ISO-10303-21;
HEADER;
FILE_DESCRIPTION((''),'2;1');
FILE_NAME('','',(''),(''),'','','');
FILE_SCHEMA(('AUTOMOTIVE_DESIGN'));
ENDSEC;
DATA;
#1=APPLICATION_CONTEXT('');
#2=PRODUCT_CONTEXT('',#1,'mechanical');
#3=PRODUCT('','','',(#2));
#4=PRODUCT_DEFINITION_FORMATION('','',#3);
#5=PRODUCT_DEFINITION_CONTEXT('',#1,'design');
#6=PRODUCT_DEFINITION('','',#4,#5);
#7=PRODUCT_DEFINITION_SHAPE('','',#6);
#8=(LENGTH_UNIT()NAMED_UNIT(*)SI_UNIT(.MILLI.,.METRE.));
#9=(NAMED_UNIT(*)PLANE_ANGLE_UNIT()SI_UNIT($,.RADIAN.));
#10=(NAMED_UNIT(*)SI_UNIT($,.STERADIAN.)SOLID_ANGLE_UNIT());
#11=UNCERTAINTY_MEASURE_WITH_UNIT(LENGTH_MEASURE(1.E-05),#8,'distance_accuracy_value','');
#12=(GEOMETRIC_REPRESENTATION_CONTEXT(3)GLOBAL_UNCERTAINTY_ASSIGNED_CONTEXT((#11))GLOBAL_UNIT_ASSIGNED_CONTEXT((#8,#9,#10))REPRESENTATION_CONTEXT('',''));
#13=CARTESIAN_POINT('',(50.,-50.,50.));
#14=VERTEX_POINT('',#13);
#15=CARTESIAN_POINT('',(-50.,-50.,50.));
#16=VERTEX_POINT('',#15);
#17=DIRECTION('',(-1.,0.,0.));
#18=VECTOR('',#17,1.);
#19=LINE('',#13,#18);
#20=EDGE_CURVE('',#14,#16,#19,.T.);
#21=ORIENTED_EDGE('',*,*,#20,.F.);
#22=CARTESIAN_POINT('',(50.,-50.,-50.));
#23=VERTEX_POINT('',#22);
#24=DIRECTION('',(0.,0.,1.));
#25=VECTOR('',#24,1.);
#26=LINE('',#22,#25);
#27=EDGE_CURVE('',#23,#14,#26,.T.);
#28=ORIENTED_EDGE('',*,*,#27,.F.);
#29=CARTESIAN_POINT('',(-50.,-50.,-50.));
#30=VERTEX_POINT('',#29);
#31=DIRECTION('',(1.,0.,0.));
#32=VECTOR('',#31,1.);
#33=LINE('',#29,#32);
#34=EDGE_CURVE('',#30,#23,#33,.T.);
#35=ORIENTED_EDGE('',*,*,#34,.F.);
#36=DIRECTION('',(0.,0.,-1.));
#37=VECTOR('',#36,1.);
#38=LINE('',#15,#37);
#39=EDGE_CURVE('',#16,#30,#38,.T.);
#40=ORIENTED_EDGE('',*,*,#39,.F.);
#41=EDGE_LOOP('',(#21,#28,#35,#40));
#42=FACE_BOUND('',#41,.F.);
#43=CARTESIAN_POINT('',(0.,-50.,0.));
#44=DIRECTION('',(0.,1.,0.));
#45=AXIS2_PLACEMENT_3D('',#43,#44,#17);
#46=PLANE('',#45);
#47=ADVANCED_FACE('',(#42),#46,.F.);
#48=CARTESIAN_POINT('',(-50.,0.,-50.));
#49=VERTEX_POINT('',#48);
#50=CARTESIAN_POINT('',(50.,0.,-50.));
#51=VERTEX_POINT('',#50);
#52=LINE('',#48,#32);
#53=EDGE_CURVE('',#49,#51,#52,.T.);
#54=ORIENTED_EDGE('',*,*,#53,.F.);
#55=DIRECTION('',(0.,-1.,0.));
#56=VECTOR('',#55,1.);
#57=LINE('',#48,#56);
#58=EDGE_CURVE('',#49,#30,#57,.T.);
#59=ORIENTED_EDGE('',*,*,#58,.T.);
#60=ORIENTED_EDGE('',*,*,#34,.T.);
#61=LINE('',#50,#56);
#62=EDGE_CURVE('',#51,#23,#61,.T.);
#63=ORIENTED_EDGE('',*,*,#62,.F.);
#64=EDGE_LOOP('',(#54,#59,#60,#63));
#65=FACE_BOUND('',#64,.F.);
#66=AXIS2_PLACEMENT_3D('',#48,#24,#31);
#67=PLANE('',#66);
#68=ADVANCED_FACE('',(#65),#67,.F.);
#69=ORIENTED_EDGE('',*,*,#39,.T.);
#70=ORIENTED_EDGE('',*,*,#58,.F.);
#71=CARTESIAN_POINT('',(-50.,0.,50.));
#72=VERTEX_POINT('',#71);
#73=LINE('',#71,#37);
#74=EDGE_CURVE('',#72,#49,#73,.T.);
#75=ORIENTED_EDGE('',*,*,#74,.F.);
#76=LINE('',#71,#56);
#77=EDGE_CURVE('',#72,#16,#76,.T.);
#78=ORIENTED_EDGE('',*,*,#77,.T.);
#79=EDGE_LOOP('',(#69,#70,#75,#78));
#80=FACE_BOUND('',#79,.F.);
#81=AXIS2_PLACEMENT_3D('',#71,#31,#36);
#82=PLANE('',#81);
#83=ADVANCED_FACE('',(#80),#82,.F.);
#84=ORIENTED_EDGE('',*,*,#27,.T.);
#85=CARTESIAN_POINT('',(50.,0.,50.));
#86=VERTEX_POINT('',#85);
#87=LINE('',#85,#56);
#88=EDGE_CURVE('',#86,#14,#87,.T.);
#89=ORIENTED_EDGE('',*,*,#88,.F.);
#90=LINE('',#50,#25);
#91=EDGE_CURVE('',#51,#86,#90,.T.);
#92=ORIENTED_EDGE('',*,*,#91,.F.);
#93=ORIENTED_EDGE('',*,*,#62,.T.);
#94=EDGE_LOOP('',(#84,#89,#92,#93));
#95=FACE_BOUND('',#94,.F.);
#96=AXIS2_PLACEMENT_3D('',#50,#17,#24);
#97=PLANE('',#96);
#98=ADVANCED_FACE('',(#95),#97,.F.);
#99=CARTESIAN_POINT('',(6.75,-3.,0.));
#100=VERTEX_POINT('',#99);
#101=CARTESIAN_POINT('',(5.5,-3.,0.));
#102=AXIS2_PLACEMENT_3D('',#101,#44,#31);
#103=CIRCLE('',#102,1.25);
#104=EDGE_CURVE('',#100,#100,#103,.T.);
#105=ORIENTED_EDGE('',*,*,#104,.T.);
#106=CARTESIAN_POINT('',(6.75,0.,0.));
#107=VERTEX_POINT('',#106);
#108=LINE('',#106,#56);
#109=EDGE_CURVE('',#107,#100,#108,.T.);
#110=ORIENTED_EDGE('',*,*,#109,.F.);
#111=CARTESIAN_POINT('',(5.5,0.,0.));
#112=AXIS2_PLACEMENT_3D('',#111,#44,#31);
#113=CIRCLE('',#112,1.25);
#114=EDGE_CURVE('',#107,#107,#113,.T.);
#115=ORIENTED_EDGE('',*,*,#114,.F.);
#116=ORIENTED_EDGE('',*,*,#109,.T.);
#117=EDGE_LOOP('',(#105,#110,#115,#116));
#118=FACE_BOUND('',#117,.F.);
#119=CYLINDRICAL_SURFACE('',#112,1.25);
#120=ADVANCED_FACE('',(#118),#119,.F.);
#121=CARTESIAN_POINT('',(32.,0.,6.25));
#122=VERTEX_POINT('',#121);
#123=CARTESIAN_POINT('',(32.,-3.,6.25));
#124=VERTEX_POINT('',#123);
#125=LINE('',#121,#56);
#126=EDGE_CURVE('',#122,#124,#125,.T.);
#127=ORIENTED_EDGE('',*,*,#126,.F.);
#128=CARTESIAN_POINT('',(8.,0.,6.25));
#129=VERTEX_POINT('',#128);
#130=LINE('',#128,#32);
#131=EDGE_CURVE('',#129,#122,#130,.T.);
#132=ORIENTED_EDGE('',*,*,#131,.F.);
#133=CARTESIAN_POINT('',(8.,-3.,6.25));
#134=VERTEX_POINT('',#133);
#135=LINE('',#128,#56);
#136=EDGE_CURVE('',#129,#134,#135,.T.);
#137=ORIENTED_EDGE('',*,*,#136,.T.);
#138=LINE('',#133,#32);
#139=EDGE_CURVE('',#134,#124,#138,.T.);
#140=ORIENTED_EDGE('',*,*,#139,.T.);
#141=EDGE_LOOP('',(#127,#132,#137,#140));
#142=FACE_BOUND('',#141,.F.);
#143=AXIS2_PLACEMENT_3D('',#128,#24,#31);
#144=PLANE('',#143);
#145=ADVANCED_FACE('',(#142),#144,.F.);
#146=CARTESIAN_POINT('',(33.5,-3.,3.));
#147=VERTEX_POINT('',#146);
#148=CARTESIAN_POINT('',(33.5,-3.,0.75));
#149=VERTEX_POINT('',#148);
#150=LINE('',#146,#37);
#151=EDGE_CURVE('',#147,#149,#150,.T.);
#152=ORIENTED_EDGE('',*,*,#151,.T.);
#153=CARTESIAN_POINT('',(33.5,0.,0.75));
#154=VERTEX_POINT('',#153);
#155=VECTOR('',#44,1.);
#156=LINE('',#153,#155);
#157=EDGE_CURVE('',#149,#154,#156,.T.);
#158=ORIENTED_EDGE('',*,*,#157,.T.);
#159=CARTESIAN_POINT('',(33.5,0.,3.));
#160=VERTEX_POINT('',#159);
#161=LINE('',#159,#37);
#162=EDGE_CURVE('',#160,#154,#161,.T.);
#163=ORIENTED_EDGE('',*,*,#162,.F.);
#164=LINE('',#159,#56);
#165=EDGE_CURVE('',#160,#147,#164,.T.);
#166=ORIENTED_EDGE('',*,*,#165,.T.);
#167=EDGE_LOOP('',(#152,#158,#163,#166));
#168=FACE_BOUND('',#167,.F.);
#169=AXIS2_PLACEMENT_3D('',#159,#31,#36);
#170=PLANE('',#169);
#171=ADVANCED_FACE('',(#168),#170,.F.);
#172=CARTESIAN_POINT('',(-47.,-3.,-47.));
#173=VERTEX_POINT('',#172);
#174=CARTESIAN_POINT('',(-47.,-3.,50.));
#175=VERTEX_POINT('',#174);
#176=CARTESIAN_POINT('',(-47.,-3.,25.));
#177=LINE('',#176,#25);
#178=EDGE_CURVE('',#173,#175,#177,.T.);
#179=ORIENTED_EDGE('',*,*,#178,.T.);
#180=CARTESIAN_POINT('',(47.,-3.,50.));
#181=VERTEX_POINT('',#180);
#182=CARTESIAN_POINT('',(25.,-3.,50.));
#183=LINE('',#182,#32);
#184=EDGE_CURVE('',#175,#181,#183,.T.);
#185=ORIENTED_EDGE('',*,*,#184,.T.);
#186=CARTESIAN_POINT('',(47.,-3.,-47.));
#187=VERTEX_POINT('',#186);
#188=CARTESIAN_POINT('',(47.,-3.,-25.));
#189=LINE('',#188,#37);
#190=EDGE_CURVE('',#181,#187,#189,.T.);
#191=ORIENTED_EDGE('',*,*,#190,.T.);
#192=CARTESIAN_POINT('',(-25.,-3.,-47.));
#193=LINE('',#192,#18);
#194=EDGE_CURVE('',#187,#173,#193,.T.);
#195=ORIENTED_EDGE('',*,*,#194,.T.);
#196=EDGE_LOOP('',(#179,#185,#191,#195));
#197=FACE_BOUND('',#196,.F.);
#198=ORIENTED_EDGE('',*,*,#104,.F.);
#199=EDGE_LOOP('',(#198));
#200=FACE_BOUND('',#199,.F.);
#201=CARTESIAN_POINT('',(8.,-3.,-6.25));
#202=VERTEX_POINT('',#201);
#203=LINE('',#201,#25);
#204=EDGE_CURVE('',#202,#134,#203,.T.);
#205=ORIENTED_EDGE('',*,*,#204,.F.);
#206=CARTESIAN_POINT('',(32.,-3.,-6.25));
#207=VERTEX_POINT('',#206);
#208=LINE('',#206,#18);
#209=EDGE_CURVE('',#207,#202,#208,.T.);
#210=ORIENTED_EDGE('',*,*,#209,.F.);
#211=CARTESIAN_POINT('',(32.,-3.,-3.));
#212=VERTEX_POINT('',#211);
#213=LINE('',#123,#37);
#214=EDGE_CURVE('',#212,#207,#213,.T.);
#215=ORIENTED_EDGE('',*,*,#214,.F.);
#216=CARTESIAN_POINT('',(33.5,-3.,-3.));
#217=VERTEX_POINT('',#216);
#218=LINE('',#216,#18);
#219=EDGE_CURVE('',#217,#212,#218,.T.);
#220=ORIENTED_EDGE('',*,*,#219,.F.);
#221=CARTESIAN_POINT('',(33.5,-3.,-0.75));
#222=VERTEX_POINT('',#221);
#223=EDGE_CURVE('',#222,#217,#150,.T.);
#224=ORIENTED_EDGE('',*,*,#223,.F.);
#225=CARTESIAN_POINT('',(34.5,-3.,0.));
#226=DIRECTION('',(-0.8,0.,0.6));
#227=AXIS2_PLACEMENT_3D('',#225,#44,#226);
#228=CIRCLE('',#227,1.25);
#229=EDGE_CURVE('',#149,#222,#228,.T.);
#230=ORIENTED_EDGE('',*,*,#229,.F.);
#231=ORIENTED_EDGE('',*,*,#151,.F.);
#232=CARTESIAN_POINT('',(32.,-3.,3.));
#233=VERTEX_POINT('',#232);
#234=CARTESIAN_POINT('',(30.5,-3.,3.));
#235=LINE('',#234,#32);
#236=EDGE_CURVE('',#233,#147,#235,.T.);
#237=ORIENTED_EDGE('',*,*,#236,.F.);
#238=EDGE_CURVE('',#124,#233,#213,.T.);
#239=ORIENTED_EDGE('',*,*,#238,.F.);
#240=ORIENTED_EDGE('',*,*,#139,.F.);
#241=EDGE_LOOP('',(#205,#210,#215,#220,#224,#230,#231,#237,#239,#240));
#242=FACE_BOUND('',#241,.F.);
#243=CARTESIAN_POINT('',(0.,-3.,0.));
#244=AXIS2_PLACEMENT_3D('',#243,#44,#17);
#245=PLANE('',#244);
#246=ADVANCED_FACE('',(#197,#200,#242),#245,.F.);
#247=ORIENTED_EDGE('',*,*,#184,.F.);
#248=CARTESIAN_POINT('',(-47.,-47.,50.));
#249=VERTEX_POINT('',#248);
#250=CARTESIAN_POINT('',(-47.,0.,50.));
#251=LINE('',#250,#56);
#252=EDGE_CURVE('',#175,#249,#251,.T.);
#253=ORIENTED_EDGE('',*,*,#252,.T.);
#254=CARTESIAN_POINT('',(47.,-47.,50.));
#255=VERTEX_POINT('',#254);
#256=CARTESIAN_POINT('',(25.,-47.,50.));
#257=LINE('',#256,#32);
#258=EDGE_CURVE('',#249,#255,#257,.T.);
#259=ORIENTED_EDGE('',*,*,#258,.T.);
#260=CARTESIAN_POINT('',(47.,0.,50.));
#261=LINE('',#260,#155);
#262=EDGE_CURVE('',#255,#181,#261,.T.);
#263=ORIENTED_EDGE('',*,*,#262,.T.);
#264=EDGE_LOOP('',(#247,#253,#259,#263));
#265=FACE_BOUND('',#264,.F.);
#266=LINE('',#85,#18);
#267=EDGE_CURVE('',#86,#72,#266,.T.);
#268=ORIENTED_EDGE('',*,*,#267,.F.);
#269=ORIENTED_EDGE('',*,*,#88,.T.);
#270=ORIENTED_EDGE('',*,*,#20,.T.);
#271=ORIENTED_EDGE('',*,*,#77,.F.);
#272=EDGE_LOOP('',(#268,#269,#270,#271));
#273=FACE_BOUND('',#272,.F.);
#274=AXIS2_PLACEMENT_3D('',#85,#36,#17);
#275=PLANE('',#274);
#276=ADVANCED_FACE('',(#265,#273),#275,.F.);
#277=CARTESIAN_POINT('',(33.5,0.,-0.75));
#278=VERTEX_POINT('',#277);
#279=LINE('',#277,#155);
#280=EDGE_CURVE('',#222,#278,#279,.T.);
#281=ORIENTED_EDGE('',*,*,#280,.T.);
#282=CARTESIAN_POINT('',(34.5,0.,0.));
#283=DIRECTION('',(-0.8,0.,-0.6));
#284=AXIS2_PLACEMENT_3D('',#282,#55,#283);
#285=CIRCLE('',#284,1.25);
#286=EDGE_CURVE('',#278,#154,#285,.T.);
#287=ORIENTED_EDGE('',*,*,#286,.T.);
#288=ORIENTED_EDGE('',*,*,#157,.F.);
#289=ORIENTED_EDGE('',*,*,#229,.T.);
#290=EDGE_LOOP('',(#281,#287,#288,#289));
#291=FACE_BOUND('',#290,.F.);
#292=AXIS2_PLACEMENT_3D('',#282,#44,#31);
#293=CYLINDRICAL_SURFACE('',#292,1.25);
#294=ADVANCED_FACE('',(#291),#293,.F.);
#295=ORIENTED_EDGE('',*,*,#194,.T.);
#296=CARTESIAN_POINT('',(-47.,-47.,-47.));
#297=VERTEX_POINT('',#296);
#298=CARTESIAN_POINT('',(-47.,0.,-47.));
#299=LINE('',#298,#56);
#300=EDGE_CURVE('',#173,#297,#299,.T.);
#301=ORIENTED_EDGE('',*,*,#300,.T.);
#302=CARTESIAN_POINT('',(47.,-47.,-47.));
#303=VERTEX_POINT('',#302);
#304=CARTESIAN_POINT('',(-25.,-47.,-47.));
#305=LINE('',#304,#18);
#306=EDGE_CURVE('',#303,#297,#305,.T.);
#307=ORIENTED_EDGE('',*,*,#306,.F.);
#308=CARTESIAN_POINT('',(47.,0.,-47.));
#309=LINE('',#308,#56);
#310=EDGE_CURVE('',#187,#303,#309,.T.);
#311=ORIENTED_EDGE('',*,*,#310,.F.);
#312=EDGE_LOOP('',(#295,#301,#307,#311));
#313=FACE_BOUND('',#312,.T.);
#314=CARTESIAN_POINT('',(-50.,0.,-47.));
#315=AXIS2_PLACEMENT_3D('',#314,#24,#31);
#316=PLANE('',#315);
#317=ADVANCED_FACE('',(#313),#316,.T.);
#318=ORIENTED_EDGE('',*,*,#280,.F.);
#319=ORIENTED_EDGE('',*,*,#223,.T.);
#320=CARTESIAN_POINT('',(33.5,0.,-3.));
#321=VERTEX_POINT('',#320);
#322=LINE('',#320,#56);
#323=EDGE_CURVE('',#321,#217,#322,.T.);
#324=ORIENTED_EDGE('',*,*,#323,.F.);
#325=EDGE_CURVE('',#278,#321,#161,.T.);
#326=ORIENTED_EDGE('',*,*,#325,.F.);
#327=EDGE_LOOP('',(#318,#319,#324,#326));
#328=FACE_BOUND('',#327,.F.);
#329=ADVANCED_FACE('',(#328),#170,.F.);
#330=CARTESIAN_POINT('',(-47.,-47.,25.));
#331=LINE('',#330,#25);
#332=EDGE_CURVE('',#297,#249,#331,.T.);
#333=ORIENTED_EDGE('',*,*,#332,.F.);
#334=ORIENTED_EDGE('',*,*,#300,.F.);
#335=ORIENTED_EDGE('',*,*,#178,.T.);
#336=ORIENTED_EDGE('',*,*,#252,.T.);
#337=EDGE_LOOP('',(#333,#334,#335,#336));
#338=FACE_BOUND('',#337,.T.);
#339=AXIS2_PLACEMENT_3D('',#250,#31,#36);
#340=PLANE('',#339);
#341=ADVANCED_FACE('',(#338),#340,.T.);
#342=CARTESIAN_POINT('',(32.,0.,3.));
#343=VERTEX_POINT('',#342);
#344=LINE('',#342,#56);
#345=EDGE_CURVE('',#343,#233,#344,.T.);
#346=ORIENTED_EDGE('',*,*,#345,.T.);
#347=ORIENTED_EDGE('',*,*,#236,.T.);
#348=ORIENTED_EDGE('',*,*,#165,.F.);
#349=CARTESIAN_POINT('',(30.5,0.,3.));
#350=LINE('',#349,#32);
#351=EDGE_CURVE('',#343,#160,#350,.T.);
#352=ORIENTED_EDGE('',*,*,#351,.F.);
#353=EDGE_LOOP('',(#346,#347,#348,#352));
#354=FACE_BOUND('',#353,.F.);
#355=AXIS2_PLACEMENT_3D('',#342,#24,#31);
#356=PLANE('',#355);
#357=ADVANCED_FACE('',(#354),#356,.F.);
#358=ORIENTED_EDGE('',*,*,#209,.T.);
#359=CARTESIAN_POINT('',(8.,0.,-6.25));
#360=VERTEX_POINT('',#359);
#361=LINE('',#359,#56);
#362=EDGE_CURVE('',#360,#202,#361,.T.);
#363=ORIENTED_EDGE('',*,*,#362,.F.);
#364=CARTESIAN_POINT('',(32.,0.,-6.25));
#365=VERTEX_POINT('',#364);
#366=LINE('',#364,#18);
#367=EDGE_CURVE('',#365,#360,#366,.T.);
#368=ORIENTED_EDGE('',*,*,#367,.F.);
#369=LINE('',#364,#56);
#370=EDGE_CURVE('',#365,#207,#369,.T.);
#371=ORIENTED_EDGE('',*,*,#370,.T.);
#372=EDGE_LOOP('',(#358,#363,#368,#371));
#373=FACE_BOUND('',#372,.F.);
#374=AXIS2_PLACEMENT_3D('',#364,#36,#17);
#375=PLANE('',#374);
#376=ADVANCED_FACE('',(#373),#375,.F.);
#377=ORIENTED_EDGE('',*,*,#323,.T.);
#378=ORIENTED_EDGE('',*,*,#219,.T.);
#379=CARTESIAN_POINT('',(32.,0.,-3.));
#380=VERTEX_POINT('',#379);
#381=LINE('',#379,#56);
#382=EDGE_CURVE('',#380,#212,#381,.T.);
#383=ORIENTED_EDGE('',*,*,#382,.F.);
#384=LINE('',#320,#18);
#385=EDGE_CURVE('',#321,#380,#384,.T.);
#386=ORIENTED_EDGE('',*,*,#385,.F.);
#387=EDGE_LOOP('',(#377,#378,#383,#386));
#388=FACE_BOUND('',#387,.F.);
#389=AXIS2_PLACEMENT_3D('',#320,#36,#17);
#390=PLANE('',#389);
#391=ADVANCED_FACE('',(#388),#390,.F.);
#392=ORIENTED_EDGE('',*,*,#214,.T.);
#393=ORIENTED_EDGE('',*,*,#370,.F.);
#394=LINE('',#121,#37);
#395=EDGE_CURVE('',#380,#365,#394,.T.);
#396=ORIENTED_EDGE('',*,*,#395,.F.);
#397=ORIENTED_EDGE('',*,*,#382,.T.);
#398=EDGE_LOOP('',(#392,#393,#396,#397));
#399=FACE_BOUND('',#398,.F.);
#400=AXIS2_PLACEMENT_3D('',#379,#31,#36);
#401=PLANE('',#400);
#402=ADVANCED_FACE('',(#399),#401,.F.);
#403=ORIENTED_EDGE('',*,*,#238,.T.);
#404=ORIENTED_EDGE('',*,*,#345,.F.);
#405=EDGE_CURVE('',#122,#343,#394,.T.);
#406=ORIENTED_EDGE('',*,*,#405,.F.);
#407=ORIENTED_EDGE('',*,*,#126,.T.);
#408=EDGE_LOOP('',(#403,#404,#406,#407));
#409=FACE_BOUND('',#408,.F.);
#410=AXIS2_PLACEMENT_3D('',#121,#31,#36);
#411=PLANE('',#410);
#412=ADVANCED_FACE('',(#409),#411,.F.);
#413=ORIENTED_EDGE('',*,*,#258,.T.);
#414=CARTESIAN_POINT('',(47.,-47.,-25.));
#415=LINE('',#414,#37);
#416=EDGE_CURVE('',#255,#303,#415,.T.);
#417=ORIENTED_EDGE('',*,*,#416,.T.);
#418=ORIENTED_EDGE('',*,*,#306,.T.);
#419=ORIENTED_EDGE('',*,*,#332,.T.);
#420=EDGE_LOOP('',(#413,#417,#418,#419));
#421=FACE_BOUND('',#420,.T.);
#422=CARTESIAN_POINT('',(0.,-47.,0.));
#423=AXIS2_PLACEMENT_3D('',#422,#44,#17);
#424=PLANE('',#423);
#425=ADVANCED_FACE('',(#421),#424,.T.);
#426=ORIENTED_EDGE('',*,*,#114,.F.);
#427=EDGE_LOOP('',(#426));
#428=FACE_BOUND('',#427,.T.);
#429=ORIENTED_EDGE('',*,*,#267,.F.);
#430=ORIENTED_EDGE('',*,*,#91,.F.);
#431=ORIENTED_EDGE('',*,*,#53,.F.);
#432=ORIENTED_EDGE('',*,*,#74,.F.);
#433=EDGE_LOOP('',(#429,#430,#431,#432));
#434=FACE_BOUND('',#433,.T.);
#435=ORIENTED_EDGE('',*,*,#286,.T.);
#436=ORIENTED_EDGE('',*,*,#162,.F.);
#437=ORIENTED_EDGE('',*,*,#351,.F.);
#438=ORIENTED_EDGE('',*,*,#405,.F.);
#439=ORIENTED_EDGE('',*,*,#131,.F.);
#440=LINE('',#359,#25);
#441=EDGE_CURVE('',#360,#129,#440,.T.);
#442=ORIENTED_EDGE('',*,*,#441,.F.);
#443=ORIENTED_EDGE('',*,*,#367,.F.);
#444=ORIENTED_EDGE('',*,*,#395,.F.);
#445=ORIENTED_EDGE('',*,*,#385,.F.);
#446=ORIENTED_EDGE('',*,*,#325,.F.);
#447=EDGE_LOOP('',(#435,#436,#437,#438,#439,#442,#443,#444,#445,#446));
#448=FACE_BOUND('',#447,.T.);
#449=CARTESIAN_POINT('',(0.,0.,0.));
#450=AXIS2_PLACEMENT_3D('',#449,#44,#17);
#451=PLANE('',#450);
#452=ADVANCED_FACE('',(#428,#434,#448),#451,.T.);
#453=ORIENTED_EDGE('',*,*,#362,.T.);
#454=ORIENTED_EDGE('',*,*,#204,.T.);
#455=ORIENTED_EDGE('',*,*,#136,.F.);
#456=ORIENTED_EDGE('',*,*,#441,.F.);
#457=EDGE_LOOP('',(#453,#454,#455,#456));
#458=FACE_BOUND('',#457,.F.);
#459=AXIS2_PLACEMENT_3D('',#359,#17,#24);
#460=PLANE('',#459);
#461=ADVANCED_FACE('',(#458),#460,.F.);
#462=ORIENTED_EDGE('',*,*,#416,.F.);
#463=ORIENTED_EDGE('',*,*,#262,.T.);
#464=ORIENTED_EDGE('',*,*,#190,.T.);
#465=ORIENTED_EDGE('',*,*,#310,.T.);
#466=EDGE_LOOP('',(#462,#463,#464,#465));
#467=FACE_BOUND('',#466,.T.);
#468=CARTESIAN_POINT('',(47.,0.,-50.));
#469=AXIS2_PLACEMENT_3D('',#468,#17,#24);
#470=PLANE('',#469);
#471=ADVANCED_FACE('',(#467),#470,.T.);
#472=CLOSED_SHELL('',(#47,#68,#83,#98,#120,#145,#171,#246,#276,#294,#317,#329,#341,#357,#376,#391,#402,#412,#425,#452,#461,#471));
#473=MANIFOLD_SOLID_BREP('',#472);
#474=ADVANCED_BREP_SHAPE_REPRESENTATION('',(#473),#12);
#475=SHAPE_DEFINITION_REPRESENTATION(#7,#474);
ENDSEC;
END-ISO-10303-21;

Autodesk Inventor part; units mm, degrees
ref_plane "YZ Plane" through (0, 0, 0) normal (1, 0, 0) x (0, 1, 0)
ref_plane "XZ Plane" through (0, 0, 0) normal (0, 1, 0) x (-1, 0, 0)
ref_plane "XY Plane" through (0, 0, 0) normal (0, 0, 1) x (1, 0, 0)
sketch "草圖1" plane through (0, 0, 0) normal (0, 1, 0) x (-1, 0, 0)
  line L0 (-50, 50) -> (50, 50)
  line L1 (50, 50) -> (50, -50)
  line L2 (50, -50) -> (-50, -50)
  line L3 (-50, -50) -> (-50, 50)
  line L4 (-50, 50) -> (50, -50) construction
  line L5 (50, 50) -> (-50, -50) construction
  point P0 (0, 0)
  dimension "d0" = 100
  dimension "d1" = 100
extrude "擠出1" add sketch "草圖1" against normal blind 50
shell "薄殼1" thickness 3 removed faces 1 at (-16.6667, -16.6667, 50)
sketch "草圖2" plane through (0, 0, 0) normal (0, 1, 0) x (1, 0, 0)
  line L0 (50, 50) -> (-50, 50) construction
  line L1 (-50, 50) -> (-50, -50) construction
  line L2 (-50, -50) -> (50, -50) construction
  line L3 (50, -50) -> (50, 50) construction
  line L4 (50, 50) -> (0, 50) construction
  line L5 (20, 30) -> (20, 0) construction
  line L6 (20, 0) -> (50, 0) construction
  line L7 (50, 0) -> (50, 50) construction
  circle A0 centre (20, 0) radius 30 construction
  line L8 (5.5, -6.25) -> (34.5, -6.25) construction
  line L9 (34.5, -6.25) -> (34.5, 6.25) construction
  line L10 (34.5, 6.25) -> (5.5, 6.25) construction
  line L11 (5.5, 6.25) -> (5.5, -6.25) construction
  line L12 (5.5, -6.25) -> (34.5, 6.25) construction
  line L13 (34.5, -6.25) -> (5.5, 6.25) construction
  circle A1 centre (5.5, 0) radius 1.25
  circle A2 centre (34.5, 0) radius 1.25
  point P0 (0, 0)
  dimension "d16" = 60
  dimension "d5" = 29
  dimension "d6" = 12.5
  dimension "d7" = 2.5
extrude "擠出2" cut sketch "草圖2" against normal up to surface (3 mm away)
sketch "草圖3" plane through (0, 0, 0) normal (0, 1, 0) x (1, 0, 0)
  line L0 (8, -6.25) -> (32, -6.25)
  line L1 (32, -6.25) -> (32, 6.25)
  line L2 (32, 6.25) -> (8, 6.25)
  line L3 (8, 6.25) -> (8, -6.25)
  line L4 (8, -6.25) -> (32, 6.25) construction
  line L5 (32, -6.25) -> (8, 6.25) construction
  line L6 (30.5, -3) -> (33.5, -3)
  line L7 (33.5, -3) -> (33.5, 3)
  line L8 (33.5, 3) -> (30.5, 3)
  line L9 (30.5, 3) -> (30.5, -3)
  line L10 (30.5, -3) -> (33.5, 3) construction
  line L11 (33.5, -3) -> (30.5, 3) construction
  point P0 (0, 0)
  point P1 (20, 0)
  point P2 (32, 0)
  point P3 (32, -3)
  point P4 (32, 3)
  dimension "d10" = 24
  dimension "d11" = 12.5
  dimension "d12" = 3
  dimension "d13" = 6
extrude "擠出3" cut sketch "草圖3" against normal up to surface (3 mm away)
properties part number "base_box"
